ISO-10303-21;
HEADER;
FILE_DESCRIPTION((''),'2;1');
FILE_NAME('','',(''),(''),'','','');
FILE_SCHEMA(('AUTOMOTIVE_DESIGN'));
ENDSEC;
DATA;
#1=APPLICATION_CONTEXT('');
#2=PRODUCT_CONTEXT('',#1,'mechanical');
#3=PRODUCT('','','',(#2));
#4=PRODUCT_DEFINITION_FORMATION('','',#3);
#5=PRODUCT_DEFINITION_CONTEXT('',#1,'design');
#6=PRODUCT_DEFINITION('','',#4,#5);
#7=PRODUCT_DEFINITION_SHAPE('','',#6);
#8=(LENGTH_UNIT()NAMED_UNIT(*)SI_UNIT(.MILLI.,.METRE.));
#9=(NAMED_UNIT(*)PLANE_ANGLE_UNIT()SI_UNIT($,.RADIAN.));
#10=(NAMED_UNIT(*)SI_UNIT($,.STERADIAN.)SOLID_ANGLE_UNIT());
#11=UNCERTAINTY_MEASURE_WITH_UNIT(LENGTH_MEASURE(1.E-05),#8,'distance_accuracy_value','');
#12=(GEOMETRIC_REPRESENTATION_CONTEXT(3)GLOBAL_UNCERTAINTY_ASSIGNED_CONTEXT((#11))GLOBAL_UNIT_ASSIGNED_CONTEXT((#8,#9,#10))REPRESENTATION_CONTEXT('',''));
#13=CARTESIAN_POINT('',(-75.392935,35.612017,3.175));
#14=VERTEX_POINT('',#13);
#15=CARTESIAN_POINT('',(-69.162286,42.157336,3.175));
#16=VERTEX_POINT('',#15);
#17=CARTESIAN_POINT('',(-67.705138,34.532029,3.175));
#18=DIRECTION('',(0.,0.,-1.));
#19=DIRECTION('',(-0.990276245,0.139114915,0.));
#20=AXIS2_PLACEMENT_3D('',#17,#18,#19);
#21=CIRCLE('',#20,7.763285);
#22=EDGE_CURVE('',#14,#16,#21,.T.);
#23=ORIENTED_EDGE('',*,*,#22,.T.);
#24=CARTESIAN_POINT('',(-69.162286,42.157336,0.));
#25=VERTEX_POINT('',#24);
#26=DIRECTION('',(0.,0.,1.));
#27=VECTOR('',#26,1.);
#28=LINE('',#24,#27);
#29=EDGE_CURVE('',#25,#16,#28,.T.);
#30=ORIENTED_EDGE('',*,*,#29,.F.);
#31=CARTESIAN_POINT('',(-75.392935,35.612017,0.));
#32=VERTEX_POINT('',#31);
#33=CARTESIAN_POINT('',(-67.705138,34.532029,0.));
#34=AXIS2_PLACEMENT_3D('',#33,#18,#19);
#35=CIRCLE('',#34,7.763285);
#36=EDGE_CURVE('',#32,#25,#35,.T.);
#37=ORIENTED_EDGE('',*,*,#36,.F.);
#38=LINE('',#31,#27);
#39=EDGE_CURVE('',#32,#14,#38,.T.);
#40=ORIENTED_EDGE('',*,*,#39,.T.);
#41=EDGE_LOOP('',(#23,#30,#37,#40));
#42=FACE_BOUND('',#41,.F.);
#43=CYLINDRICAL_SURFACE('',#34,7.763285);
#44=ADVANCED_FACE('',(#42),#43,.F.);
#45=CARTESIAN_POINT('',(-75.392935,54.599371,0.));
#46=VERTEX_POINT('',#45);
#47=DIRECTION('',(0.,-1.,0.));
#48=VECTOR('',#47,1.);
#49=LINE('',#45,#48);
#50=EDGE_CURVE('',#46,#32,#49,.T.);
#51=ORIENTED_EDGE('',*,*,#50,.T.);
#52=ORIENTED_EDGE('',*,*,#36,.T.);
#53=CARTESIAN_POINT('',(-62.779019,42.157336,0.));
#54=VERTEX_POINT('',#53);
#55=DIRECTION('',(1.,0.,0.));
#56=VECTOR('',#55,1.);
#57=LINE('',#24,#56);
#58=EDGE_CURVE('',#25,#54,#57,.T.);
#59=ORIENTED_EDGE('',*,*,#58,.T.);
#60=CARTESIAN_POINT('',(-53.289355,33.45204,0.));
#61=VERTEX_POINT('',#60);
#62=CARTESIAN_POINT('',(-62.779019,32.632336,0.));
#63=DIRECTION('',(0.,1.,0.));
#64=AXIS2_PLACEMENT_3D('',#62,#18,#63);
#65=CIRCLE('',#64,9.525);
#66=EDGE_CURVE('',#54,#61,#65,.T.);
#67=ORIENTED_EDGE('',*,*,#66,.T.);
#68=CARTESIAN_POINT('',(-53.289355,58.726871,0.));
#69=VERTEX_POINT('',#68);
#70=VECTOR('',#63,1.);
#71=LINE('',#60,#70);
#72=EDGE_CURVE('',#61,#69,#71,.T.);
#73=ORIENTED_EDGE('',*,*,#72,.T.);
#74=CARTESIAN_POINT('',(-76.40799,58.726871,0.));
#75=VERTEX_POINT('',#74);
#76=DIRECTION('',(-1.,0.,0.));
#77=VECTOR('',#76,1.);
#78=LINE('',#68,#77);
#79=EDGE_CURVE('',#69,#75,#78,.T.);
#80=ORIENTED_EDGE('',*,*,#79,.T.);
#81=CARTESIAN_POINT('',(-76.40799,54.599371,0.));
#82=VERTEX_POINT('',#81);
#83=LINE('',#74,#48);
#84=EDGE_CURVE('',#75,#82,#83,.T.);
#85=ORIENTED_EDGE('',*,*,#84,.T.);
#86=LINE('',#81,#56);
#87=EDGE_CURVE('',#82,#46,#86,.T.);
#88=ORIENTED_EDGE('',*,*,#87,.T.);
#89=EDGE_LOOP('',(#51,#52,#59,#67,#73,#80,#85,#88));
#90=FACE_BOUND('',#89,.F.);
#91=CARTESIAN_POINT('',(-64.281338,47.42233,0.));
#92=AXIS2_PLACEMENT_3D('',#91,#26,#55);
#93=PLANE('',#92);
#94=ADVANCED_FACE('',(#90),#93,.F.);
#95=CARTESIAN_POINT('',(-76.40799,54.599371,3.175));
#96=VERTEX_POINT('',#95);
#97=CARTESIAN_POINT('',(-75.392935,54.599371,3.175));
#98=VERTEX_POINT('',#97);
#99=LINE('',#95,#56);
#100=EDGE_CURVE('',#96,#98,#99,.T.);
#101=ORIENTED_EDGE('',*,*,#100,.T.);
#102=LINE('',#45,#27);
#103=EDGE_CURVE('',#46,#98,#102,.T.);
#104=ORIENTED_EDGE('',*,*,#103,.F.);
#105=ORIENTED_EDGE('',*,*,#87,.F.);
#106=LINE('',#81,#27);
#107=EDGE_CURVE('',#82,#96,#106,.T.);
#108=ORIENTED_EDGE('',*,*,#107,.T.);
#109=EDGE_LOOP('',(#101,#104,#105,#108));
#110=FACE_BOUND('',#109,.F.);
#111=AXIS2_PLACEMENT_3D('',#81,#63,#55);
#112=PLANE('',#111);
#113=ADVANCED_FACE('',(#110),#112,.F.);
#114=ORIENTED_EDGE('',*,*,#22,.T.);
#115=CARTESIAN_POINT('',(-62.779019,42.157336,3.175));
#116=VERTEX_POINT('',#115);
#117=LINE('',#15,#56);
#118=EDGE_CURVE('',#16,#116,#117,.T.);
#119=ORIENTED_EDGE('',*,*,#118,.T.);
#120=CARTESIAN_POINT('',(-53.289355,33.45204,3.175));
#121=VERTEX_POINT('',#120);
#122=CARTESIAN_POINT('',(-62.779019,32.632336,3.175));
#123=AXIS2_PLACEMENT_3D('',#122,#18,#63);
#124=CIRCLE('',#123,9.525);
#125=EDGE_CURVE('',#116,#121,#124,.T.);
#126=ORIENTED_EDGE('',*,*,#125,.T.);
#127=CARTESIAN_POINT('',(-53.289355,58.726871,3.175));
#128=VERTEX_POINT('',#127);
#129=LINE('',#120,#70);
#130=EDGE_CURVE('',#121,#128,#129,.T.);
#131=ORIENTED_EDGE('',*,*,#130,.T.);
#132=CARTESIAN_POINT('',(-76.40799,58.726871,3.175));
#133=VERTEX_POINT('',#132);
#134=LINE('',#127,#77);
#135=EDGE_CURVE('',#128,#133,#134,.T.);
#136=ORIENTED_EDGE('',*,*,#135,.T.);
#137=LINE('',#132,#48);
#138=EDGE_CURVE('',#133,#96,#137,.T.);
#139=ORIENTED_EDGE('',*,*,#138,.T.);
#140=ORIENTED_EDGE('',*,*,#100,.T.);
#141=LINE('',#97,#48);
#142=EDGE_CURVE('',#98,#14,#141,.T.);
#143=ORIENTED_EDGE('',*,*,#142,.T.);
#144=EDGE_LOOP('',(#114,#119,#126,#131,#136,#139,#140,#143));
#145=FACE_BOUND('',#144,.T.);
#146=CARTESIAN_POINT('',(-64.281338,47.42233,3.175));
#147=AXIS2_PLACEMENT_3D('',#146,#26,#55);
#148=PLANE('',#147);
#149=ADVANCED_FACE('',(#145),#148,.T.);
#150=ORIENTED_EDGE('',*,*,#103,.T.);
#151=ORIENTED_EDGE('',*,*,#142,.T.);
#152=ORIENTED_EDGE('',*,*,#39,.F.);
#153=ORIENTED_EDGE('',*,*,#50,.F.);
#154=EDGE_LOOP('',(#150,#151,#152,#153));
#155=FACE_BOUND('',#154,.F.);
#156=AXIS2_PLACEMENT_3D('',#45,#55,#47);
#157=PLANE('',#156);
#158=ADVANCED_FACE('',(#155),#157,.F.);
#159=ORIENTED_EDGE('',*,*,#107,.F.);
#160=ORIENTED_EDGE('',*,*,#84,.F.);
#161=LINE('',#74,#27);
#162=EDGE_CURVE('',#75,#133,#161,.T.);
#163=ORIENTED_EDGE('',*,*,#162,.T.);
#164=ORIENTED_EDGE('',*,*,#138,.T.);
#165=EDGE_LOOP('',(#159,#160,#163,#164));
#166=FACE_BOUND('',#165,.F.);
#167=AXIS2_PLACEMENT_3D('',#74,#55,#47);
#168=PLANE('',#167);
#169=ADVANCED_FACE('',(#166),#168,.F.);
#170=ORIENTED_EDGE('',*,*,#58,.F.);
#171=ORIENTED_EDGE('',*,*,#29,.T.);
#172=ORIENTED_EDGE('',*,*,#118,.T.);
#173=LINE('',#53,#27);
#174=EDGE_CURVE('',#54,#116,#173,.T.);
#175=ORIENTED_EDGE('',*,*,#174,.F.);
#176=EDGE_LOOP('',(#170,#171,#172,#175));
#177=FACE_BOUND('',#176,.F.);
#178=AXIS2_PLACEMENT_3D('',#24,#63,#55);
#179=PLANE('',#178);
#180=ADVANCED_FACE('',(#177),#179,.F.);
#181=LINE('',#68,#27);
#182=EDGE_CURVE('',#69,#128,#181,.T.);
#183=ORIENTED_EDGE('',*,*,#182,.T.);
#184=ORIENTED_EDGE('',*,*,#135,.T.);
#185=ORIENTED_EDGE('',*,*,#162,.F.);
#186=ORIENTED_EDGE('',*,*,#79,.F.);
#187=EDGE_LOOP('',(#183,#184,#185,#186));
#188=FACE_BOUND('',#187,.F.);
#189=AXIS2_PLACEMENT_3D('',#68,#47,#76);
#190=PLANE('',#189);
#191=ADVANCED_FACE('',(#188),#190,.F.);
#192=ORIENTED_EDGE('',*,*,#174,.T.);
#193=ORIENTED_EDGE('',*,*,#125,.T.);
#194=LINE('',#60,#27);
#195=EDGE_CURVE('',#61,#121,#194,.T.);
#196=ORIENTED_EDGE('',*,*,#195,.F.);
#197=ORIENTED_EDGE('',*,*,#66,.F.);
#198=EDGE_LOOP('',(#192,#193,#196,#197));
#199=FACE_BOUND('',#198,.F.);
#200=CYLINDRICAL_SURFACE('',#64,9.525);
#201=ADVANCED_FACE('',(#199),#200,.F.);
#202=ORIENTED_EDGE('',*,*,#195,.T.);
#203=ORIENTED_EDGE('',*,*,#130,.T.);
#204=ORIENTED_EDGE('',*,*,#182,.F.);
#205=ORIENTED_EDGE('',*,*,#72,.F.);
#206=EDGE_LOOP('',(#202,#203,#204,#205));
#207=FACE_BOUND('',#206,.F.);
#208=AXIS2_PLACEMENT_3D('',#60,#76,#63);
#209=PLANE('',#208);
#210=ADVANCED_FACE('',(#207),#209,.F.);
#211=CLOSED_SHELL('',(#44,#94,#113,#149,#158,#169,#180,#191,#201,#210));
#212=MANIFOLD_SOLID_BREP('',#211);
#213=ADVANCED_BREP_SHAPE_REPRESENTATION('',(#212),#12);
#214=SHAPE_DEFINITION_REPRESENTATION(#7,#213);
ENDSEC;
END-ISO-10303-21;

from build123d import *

# Parameters (mm, degrees)
BOSS_EXTRUDE1_DEPTH = 3.175


with BuildPart() as part:
    # Sketch2 → Boss-Extrude1 (new body)
    with BuildSketch(Plane.XY):
        with BuildLine():
            Line((-53.289355313, 44.697336176), (-53.289355313, 58.726871404))
            Line((-53.289355313, 58.726871404), (-54.556581117, 58.726871404))
            Line((-54.556581117, 58.726871404), (-76.407989953, 58.726871404))
            Line((-76.407989953, 58.726871404), (-76.407989953, 54.599371404))
            Line((-76.407989953, 54.599371404), (-75.392935047, 54.599371404))
            Line((-75.392935047, 54.599371404), (-75.392935047, 35.612017339))
            ThreePointArc((-75.392935047, 35.612017339), (-73.32810933, 39.884672035), (-69.162286351, 42.157336176))
            Line((-69.162286351, 42.157336176), (-66.247989953, 42.157336176))
            Line((-66.247989953, 42.157336176), (-62.779018686, 42.157336176))
            ThreePointArc((-62.779018686, 42.157336176), (-56.340154353, 39.651356842), (-53.289355313, 33.45203982))
            Line((-53.289355313, 33.45203982), (-53.289355313, 42.157336176))
            Line((-53.289355313, 42.157336176), (-53.289355313, 44.697336176))
        make_face()
    extrude(amount=BOSS_EXTRUDE1_DEPTH)


solid = part.part
